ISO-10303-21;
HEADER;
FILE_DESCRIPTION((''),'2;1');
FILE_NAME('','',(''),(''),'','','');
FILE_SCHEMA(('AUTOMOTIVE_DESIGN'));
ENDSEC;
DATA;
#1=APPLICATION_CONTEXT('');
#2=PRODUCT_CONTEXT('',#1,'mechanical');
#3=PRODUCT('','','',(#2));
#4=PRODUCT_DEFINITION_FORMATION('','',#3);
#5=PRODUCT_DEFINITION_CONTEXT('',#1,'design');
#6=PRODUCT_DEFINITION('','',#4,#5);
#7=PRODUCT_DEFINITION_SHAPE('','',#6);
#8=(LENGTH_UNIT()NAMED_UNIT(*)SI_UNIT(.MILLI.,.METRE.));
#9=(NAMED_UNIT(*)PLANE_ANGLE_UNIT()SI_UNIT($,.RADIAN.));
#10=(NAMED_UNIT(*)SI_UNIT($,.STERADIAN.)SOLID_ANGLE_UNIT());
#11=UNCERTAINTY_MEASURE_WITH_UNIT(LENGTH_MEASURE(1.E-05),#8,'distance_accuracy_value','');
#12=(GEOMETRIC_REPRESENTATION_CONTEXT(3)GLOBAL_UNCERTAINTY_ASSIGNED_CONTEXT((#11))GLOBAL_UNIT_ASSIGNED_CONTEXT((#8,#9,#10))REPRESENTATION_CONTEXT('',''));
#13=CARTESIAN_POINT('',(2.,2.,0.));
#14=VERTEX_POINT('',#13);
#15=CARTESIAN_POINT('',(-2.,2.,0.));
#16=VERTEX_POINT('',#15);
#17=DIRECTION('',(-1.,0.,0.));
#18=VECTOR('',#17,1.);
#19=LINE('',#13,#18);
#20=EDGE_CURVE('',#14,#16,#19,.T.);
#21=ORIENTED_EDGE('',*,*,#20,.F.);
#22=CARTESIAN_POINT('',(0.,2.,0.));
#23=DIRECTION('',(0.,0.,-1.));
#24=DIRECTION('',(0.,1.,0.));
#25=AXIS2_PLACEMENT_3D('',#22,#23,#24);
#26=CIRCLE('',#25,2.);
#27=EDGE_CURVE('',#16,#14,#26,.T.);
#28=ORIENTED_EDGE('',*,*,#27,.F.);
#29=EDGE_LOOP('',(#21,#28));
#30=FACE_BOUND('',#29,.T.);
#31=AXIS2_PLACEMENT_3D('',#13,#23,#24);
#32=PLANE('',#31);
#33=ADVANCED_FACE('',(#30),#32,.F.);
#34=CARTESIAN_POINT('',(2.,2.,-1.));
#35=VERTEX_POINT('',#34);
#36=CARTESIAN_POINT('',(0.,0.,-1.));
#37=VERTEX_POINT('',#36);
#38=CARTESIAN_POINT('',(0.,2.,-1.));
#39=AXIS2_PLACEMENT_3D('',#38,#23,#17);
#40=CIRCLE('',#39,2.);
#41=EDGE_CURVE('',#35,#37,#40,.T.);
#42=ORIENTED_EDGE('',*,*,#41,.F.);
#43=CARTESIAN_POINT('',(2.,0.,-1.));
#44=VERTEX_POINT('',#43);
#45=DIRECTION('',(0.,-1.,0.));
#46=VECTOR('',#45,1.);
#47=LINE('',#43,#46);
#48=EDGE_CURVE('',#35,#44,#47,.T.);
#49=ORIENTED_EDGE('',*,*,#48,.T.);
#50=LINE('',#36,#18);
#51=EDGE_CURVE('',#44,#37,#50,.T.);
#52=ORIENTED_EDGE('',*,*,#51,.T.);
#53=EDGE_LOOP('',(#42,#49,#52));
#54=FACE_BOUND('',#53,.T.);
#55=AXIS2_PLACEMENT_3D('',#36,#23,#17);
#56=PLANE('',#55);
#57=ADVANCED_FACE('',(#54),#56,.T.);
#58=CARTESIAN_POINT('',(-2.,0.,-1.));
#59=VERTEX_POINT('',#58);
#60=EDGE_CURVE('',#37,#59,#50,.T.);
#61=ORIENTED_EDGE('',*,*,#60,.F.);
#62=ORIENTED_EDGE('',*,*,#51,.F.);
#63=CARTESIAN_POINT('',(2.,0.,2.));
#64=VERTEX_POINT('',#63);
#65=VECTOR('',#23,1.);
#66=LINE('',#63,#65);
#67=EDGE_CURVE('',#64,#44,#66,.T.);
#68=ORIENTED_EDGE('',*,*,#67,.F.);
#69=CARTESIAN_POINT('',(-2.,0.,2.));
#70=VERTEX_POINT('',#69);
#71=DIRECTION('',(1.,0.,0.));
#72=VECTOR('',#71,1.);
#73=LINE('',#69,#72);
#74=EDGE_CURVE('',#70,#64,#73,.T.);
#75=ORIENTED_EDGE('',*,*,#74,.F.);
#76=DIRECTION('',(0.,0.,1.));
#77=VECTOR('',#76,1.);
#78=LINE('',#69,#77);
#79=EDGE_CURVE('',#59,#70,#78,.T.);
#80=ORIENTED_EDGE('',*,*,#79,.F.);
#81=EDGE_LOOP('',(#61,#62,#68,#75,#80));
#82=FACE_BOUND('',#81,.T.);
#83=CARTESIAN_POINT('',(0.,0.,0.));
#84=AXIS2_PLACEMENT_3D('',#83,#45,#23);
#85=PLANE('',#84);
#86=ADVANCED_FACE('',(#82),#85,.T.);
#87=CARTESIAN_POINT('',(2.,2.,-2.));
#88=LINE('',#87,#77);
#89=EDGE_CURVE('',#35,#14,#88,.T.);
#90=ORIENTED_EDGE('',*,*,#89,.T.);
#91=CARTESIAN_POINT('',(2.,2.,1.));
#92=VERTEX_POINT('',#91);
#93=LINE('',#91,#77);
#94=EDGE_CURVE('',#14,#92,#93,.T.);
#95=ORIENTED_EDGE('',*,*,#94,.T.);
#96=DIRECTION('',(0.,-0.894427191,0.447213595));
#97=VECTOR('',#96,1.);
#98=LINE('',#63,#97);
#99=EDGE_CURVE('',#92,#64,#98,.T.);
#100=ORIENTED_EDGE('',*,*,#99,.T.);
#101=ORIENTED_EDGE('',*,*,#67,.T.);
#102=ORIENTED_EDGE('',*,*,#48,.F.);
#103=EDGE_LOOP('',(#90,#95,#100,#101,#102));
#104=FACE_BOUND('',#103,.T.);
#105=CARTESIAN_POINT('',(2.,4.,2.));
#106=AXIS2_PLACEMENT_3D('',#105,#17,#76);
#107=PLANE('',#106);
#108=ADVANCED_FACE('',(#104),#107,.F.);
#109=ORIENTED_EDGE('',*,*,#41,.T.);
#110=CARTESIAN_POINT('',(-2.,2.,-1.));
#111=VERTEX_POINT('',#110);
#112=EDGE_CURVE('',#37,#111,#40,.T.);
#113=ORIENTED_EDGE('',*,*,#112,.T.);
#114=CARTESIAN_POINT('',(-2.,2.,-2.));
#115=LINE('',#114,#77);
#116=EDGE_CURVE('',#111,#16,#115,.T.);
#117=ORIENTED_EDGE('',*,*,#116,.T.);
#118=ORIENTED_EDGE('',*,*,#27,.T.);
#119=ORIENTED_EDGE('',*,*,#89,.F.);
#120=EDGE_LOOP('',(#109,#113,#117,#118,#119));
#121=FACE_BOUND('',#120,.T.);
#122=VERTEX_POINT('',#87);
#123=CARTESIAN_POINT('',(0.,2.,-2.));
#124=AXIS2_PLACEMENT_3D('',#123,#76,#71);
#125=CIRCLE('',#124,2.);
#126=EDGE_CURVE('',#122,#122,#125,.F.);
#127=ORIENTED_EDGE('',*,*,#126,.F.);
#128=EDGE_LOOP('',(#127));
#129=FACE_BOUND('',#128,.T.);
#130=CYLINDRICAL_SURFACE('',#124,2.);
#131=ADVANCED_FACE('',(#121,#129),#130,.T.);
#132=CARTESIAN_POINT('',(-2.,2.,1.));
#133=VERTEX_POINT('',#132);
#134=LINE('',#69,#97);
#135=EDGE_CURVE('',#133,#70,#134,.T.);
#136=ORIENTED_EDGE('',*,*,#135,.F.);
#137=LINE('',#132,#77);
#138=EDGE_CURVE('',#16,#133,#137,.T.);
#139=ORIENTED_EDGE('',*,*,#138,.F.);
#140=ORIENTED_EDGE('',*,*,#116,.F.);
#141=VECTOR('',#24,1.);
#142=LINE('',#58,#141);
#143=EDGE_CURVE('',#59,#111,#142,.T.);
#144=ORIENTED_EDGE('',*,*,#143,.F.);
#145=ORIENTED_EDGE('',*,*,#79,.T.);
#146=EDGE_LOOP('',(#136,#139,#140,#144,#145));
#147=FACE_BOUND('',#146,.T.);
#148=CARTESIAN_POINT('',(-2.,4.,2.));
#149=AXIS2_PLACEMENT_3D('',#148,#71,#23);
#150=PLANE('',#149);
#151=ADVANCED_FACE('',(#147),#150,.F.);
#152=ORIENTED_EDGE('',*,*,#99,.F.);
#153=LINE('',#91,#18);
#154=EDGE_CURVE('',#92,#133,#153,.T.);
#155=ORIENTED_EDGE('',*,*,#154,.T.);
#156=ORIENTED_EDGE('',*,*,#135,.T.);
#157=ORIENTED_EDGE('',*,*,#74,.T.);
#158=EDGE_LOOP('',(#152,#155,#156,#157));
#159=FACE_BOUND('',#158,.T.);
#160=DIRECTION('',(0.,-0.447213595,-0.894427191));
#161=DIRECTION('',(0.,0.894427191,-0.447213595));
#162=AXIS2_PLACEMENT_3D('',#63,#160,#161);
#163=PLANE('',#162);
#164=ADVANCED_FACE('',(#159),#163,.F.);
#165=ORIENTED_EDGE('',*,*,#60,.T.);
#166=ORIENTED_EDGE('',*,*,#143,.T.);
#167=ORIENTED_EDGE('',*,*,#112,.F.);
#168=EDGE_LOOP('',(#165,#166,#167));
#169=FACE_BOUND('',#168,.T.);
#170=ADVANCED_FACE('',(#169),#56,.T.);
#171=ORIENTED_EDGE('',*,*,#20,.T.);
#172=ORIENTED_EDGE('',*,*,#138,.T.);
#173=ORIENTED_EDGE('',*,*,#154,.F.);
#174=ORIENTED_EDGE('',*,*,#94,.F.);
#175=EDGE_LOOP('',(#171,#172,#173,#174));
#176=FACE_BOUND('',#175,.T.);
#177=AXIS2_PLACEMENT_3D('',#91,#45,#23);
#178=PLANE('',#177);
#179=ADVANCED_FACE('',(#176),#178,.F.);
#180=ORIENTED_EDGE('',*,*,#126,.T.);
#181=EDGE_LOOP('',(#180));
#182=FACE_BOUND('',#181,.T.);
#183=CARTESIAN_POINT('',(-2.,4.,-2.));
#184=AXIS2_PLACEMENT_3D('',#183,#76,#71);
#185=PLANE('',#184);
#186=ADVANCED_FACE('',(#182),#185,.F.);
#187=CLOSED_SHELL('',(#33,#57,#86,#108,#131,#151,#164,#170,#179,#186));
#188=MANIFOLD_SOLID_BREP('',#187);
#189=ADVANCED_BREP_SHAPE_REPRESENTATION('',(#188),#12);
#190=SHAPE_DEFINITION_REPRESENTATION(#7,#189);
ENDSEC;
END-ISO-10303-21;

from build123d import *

# Parameters (mm, degrees)
SKETCH1_W           = 4
SKETCH1_H           = 4
BOSS_EXTRUDE1_DEPTH = 4
CUT_EXTRUDE1_DEPTH  = 4
CUT_EXTRUDE2_DEPTH  = 4
CUT_EXTRUDE3_DEPTH  = 1


with BuildPart() as part:
    # Sketch1 → Boss-Extrude1 (new body)
    with BuildSketch(Plane(origin=(0, 0, 0), x_dir=(1, 0, 0), z_dir=(0, 1, 0))):
        Rectangle(SKETCH1_W, SKETCH1_H)
    extrude(amount=BOSS_EXTRUDE1_DEPTH)

    # Sketch2 → Cut-Extrude1 (cut)
    with BuildSketch(Plane.XY.offset(2)):
        with BuildLine():
            Line((-2, 4), (-2, 2))
            ThreePointArc((-2, 2), (-1.414213562, 3.414213562), (0, 4))
            Line((0, 4), (-2, 4))
        make_face()
        with BuildLine():
            Line((2, 4), (0, 4))
            ThreePointArc((0, 4), (1.414213562, 3.414213562), (2, 2))
            Line((2, 2), (2, 4))
        make_face()
    extrude(amount=-CUT_EXTRUDE1_DEPTH, mode=Mode.SUBTRACT)

    # Sketch3 → Cut-Extrude2 (cut)
    with BuildSketch(Plane.ZY.offset(2)):
        Polygon((2, 0), (1, 2), (0, 2), (0, 4), (2, 4), align=None)
    extrude(amount=-CUT_EXTRUDE2_DEPTH, mode=Mode.SUBTRACT)

    # Sketch4 → Cut-Extrude3 (cut)
    with BuildSketch(Plane(origin=(0, 0, -2), x_dir=(-1, 0, 0), z_dir=(0, 0, -1))):
        with BuildLine():
            ThreePointArc((0, 0), (-1.414213562, 0.585786438), (-2, 2))
            Line((-2, 2), (-2, 0))
            Line((-2, 0), (0, 0))
        make_face()
        with BuildLine():
            ThreePointArc((2, 2), (1.414213562, 0.585786438), (0, 0))
            Line((0, 0), (2, 0))
            Line((2, 0), (2, 2))
        make_face()
    extrude(amount=-CUT_EXTRUDE3_DEPTH, mode=Mode.SUBTRACT)


solid = part.part
